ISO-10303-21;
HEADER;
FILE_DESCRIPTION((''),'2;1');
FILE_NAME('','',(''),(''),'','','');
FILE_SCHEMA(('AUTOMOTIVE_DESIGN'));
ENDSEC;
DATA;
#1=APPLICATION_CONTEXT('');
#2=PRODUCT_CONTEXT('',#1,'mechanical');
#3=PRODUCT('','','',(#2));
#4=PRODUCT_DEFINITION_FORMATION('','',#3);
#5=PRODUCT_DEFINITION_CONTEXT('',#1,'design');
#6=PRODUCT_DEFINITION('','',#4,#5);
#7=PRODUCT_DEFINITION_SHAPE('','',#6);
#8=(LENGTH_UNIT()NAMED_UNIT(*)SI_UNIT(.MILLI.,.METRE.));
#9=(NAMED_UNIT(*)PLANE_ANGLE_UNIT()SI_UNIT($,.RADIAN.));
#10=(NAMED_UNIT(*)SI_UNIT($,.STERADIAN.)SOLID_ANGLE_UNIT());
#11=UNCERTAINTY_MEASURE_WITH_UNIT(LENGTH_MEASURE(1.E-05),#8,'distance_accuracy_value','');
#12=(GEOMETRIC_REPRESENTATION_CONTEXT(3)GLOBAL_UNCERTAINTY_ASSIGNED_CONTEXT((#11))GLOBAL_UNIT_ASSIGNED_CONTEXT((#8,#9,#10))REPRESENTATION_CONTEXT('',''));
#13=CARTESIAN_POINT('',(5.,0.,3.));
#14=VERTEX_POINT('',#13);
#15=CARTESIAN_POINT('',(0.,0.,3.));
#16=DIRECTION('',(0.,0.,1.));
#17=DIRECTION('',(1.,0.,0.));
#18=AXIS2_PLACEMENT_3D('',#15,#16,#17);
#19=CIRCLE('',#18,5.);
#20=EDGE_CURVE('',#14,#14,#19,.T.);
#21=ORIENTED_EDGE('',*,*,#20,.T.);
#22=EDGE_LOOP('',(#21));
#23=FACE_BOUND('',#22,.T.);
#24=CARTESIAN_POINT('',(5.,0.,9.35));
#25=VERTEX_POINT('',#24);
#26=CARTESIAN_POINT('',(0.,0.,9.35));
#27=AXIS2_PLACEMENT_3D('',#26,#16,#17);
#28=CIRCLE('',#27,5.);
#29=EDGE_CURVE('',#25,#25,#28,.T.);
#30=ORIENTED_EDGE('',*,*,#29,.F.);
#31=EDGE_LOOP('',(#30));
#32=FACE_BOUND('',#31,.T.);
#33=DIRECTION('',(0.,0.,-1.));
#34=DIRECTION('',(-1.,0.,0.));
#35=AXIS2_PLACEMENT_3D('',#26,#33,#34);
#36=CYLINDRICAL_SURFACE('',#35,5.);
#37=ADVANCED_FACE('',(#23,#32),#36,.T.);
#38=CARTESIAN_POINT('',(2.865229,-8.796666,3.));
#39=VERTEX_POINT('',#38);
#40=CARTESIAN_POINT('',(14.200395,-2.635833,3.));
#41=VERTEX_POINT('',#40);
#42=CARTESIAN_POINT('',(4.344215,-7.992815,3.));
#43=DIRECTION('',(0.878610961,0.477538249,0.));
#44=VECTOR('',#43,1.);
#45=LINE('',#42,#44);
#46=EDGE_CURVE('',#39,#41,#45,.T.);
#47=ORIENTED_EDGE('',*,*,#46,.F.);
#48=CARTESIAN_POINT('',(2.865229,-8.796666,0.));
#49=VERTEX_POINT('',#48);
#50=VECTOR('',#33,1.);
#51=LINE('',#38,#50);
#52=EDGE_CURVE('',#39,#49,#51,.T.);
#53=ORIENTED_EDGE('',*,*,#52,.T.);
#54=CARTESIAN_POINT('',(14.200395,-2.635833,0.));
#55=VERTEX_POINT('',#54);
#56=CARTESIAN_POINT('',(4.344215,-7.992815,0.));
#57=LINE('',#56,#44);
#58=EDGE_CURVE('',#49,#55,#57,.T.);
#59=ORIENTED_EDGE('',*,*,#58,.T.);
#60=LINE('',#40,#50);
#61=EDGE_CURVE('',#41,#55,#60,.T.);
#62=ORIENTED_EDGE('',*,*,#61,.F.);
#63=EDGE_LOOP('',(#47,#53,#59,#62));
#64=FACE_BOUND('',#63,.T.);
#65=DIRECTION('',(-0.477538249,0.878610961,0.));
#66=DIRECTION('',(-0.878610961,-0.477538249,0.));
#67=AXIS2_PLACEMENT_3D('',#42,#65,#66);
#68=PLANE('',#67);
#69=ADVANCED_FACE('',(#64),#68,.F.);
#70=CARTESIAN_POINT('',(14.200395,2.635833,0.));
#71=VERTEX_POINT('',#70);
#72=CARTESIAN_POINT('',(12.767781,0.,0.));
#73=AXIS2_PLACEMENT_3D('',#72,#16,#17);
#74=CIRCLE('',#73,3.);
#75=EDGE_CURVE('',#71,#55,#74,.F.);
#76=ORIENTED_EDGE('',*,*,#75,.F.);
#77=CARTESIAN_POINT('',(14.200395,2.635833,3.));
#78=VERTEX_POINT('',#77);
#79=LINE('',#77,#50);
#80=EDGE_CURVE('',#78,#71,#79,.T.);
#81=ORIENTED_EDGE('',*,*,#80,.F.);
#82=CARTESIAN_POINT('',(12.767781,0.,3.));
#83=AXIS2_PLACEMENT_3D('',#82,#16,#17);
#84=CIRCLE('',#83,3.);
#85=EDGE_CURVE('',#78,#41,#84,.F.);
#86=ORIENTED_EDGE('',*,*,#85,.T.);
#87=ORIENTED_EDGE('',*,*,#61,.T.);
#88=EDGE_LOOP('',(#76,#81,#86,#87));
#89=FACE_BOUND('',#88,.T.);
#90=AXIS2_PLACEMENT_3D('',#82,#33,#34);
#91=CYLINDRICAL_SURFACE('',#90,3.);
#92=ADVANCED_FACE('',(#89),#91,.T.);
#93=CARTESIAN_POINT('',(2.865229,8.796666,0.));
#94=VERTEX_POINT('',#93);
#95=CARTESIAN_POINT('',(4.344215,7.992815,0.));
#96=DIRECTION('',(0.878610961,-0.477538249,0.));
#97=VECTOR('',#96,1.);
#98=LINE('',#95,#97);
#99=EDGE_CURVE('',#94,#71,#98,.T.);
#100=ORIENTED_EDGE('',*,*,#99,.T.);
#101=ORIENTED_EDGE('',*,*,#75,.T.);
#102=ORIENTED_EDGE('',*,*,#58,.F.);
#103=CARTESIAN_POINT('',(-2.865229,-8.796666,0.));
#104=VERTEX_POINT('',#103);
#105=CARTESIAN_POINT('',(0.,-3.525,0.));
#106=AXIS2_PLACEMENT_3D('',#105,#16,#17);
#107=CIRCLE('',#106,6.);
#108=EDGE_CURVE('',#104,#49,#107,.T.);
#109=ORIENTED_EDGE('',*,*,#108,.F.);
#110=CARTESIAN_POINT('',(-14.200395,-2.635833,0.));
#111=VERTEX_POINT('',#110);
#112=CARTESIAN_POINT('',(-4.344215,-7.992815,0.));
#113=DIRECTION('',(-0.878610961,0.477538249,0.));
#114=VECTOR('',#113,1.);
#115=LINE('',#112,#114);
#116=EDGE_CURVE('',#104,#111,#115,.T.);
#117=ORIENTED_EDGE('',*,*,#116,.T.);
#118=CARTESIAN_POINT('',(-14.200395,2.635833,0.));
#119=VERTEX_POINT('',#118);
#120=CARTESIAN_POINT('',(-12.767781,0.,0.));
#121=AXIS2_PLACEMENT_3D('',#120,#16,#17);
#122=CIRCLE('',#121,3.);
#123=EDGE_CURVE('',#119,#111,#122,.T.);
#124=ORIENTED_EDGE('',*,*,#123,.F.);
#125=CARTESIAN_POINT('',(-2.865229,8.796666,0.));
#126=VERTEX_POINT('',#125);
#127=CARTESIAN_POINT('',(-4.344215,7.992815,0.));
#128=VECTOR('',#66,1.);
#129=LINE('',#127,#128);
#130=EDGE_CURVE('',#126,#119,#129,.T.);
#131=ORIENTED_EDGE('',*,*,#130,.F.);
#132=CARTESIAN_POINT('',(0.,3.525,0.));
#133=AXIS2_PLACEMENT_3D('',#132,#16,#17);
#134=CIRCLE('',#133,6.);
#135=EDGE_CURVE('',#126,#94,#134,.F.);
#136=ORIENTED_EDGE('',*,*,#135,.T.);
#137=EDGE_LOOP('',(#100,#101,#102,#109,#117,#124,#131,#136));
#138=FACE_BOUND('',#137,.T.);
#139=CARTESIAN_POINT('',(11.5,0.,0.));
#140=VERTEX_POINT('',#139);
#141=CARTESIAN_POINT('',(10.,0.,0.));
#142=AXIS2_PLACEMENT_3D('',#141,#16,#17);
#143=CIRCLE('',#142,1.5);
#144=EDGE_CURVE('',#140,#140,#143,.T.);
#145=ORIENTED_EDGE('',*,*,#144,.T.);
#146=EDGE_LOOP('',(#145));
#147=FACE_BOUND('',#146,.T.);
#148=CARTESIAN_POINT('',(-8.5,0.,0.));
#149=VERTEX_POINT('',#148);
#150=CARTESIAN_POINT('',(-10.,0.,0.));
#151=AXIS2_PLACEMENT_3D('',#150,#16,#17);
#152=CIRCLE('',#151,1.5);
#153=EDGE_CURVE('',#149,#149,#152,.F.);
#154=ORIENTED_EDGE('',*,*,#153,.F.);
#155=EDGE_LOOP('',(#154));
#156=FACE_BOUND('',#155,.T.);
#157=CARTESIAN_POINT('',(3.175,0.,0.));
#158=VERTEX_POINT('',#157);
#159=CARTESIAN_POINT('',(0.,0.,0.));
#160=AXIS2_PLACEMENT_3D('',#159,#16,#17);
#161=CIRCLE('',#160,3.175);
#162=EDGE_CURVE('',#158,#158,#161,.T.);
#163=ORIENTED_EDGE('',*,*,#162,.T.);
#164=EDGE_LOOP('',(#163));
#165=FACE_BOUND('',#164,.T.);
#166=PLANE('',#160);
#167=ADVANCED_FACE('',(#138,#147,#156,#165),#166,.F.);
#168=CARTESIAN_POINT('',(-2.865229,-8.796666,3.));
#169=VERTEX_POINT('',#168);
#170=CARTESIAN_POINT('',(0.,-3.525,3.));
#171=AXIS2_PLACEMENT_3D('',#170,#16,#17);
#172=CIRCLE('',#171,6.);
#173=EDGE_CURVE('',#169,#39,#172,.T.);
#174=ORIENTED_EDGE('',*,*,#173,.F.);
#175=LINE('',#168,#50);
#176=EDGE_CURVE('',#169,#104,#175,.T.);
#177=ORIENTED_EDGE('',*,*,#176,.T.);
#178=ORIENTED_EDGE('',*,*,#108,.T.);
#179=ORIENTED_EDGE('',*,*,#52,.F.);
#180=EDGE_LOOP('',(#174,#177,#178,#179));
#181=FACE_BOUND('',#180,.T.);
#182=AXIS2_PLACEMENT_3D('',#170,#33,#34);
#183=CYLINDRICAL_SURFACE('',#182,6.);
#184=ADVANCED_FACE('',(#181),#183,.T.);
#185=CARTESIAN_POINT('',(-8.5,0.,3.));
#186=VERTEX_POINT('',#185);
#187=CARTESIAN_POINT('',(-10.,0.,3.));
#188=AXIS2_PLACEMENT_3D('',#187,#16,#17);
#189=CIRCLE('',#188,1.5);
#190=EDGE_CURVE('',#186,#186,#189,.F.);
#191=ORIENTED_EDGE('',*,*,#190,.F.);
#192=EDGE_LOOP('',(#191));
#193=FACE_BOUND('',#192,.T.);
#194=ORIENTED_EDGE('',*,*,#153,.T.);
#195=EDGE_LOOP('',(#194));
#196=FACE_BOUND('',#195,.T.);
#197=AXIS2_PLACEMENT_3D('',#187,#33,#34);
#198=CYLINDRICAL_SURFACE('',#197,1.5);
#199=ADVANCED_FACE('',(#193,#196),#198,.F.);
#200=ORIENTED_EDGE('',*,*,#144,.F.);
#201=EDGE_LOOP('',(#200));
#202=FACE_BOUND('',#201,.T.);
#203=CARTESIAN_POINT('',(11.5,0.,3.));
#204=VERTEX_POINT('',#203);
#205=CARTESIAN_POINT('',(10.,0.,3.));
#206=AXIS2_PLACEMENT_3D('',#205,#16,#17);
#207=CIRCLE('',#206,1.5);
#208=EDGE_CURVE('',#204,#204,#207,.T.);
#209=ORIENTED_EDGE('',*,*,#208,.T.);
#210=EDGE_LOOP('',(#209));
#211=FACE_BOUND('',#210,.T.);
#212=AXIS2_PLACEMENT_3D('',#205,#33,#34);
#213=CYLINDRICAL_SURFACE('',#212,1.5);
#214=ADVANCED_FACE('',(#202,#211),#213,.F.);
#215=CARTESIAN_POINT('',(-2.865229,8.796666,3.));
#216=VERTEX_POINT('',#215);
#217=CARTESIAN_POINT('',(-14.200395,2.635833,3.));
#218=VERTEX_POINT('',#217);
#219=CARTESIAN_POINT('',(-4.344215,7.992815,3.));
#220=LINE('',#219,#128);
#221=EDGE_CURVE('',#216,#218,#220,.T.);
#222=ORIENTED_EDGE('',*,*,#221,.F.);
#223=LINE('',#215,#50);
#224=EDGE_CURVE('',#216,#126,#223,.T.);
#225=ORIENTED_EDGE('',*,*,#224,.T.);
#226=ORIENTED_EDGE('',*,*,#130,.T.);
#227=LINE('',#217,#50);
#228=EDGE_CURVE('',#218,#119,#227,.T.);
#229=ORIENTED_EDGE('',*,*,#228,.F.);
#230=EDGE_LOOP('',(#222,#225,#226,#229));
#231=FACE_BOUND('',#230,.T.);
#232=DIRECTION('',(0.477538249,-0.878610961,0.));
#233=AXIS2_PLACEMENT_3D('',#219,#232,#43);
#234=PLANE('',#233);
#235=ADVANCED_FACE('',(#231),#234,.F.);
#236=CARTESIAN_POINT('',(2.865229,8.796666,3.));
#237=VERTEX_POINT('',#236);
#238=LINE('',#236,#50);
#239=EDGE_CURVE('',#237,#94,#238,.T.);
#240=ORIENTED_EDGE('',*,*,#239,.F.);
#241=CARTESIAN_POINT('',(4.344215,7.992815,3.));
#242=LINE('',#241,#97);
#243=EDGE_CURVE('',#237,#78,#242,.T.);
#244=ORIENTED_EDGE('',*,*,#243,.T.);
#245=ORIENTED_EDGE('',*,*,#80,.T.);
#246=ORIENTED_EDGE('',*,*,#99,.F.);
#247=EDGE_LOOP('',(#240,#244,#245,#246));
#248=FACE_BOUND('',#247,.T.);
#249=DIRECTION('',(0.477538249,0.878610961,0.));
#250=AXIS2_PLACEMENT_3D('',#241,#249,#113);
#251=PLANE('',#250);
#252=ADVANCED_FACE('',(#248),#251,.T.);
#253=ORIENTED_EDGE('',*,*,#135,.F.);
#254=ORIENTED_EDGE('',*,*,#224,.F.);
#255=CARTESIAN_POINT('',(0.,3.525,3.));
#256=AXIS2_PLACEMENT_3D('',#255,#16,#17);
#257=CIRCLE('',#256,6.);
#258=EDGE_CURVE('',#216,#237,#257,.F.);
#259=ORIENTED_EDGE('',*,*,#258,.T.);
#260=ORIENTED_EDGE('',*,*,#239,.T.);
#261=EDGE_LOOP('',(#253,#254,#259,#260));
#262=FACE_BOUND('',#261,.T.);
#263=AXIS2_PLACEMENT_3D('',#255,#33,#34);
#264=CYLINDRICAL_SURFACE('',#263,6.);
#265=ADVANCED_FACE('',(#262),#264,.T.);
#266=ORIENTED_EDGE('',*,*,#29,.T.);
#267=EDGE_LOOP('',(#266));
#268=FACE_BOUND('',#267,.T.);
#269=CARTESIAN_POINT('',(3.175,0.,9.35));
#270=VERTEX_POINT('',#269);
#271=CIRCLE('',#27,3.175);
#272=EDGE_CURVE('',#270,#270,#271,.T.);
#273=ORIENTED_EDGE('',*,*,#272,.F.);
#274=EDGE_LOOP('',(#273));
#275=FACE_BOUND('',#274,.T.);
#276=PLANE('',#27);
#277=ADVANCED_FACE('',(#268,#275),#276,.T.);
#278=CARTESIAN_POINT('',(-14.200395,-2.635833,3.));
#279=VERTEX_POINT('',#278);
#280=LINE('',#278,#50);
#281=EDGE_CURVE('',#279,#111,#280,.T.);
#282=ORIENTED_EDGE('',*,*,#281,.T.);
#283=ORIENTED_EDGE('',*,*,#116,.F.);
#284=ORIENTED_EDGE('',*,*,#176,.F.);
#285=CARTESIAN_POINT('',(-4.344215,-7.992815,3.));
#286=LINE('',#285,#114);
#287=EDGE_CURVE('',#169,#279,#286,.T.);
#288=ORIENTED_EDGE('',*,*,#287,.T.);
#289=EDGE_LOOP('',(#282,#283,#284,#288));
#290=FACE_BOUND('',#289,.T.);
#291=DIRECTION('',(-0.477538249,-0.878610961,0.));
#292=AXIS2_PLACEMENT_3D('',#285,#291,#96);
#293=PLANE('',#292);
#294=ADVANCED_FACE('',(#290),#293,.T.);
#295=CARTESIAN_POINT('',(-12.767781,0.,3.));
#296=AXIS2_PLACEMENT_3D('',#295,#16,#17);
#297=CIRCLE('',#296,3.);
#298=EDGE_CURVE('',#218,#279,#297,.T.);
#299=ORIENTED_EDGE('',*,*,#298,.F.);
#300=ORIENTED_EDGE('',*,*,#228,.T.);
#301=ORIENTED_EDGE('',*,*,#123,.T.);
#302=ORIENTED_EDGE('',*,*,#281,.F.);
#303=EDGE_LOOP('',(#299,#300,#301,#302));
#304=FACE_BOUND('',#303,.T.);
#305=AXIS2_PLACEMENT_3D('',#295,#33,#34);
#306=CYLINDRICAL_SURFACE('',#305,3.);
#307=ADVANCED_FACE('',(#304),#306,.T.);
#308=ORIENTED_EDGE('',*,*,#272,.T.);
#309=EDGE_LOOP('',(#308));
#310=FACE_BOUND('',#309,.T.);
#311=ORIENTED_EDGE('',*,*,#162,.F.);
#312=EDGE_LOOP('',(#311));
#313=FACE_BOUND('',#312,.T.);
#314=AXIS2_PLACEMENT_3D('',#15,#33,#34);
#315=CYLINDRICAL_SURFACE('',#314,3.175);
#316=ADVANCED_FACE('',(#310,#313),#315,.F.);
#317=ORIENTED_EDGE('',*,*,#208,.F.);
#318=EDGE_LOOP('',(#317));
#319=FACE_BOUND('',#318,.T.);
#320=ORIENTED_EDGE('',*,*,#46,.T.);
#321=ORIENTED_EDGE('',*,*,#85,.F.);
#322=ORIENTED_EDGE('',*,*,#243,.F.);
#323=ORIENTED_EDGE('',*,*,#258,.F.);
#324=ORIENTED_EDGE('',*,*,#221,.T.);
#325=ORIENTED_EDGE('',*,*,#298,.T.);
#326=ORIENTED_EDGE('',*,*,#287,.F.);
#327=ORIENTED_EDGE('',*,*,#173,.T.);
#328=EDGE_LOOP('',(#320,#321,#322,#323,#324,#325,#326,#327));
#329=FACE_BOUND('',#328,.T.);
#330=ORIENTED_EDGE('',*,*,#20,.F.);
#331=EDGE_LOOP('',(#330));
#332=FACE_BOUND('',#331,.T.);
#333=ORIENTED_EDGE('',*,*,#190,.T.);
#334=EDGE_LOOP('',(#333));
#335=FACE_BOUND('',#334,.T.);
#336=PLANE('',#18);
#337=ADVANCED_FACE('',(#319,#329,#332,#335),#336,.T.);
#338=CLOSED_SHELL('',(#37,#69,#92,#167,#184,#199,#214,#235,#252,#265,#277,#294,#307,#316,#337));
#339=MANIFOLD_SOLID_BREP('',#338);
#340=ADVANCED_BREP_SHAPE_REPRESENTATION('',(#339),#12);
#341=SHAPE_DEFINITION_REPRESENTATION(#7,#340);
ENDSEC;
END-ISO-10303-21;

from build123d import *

# Parameters (mm, degrees)
SKETCH1_R           = 3.175
SKETCH1_R_2         = 1.5
BOSS_EXTRUDE1_DEPTH = 3
SKETCH2_R           = 5
SKETCH2_R_2         = 3.175
BOSS_EXTRUDE2_DEPTH = 6.35


with BuildPart() as part:
    # Sketch1 → Boss-Extrude1 (new body)
    with BuildSketch(Plane.XY):
        with BuildLine():
            Line((-2.865229492, 8.796665767), (-14.200395451, 2.635832883))
            ThreePointArc((-14.200395451, 2.635832883), (-15.767780705, 0), (-14.200395451, -2.635832883))
            Line((-14.200395451, -2.635832883), (-2.865229492, -8.796665767))
            ThreePointArc((-2.865229492, -8.796665767), (0, -9.525), (2.865229492, -8.796665767))
            Line((2.865229492, -8.796665767), (14.200395451, -2.635832883))
            ThreePointArc((14.200395451, -2.635832883), (15.767780705, 0), (14.200395451, 2.635832883))
            Line((14.200395451, 2.635832883), (2.865229492, 8.796665767))
            ThreePointArc((2.865229492, 8.796665767), (0, 9.525), (-2.865229492, 8.796665767))
        make_face()
        Circle(SKETCH1_R, mode=Mode.SUBTRACT)
        with Locations((10, 0)):
            Circle(SKETCH1_R_2, mode=Mode.SUBTRACT)
        with Locations((-10, 0)):
            Circle(SKETCH1_R_2, mode=Mode.SUBTRACT)
    extrude(amount=BOSS_EXTRUDE1_DEPTH)

    # Sketch2 → Boss-Extrude2 (add)
    with BuildSketch(Plane.XY.offset(3)):
        Circle(SKETCH2_R)
        Circle(SKETCH2_R_2, mode=Mode.SUBTRACT)
    extrude(amount=BOSS_EXTRUDE2_DEPTH)


solid = part.part
